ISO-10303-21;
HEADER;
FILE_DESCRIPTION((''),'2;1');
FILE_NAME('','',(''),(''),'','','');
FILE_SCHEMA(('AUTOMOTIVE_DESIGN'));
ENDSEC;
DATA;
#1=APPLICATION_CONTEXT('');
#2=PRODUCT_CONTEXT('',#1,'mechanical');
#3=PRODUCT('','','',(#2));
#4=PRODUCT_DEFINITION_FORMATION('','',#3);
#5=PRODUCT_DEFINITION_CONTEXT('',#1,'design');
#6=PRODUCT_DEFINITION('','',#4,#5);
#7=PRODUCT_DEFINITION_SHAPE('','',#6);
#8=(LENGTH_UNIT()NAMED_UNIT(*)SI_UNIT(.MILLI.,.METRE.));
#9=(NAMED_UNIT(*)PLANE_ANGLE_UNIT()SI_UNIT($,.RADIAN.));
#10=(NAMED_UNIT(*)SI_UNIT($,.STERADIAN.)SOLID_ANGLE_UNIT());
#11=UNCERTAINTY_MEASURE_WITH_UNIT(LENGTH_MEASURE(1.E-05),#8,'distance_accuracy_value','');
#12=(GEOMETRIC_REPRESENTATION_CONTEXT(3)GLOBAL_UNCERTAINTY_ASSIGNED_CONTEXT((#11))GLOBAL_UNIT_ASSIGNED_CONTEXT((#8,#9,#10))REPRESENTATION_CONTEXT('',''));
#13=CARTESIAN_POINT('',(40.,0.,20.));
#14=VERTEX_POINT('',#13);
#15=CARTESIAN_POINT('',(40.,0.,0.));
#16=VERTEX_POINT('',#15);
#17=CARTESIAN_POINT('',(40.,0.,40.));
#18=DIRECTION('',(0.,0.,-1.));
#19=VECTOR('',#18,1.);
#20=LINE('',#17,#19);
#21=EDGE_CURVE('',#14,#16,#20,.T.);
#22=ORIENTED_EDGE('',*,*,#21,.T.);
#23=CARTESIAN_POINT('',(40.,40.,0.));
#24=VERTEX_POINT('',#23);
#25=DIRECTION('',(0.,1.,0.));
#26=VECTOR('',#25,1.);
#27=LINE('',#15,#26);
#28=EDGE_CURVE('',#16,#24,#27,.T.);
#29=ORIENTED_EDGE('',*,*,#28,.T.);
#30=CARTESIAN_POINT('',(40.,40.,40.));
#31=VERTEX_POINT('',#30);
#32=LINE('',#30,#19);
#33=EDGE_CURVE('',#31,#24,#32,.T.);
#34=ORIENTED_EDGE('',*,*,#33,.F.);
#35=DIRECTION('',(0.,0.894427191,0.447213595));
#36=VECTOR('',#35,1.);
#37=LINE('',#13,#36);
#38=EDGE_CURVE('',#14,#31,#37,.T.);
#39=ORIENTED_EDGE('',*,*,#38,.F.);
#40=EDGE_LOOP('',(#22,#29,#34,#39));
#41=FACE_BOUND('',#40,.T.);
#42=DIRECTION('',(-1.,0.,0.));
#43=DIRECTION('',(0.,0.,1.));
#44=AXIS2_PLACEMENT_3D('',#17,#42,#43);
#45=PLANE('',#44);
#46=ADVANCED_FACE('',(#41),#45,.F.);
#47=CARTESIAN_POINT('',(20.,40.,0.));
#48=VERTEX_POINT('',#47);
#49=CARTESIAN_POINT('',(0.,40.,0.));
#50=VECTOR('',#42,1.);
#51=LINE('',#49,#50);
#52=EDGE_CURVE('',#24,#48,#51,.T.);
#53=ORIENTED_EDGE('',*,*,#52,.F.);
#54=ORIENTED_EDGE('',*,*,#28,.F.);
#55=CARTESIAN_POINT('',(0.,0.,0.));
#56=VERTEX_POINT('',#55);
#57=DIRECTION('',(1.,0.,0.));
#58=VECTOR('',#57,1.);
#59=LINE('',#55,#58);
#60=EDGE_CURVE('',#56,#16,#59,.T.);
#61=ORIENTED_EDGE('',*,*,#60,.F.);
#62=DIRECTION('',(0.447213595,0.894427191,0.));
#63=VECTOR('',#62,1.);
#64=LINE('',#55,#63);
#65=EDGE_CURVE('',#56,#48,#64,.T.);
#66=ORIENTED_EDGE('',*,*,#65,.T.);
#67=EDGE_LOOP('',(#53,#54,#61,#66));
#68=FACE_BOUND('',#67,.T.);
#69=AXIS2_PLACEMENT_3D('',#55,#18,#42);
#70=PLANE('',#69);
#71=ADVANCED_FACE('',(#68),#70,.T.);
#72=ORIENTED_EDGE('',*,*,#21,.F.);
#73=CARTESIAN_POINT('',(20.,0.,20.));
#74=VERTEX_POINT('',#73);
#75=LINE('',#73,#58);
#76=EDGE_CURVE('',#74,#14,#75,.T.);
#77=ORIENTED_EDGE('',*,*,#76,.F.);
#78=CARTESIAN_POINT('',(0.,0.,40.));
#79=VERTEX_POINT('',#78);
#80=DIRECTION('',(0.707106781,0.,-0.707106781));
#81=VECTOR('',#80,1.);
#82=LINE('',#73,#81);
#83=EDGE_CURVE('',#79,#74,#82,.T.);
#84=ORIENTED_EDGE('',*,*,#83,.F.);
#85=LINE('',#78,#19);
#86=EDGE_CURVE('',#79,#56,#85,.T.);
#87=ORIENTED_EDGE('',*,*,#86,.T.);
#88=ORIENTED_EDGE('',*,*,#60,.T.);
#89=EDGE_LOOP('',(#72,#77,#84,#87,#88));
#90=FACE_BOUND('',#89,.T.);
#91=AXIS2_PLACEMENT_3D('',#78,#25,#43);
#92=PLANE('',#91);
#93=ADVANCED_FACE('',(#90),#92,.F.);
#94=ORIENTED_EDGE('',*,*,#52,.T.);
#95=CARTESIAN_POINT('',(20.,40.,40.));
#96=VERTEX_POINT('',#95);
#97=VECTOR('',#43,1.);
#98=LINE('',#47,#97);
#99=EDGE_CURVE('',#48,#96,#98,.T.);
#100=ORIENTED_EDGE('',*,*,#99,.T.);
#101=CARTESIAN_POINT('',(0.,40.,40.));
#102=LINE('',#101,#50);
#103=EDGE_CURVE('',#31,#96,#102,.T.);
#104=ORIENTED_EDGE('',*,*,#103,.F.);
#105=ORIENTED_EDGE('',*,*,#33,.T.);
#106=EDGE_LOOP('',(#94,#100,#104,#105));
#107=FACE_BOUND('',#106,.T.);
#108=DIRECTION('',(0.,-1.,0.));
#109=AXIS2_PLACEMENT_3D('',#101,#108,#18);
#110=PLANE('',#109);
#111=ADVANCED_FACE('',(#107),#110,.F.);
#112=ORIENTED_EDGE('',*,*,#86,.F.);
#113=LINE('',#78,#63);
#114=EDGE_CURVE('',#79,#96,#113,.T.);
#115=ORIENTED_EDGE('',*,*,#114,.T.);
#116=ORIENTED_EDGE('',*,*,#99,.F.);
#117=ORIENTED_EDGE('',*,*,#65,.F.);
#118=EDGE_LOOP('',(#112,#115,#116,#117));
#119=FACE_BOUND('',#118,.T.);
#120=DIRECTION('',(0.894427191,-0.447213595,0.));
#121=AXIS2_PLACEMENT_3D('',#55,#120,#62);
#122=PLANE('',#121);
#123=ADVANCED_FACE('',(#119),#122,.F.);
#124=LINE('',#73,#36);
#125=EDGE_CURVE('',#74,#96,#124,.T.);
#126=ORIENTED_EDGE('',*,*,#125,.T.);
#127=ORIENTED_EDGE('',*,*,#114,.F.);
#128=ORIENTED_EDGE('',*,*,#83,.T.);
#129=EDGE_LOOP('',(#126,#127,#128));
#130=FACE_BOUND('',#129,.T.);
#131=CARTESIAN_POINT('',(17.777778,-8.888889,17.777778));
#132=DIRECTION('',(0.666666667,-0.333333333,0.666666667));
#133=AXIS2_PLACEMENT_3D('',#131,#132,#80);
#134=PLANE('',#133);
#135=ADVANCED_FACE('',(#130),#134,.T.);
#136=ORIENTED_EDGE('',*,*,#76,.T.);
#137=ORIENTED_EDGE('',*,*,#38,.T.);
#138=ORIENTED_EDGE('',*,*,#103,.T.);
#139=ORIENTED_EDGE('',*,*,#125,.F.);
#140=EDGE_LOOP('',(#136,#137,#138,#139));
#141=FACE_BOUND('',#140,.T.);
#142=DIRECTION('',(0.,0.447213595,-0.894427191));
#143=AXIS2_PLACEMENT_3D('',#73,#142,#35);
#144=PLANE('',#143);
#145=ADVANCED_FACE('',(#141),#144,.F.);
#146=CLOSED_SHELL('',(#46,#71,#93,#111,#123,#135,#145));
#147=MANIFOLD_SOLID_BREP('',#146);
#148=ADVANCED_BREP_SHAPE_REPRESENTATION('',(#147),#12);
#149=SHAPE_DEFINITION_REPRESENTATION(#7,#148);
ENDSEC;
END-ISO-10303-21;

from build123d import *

# Parameters (mm, degrees)
SKETCH1_W           = 40
SKETCH1_H           = 40
BOSS_EXTRUDE1_DEPTH = 40
CUT_EXTRUDE1_DEPTH  = 40
CUT_EXTRUDE3_DEPTH  = 20
CUT_EXTRUDE4_DEPTH  = 20


with BuildPart() as part:
    # Sketch1 → Boss-Extrude1 (new body)
    with BuildSketch(Plane.XY):
        with Locations((20, 20)):
            Rectangle(SKETCH1_W, SKETCH1_H)
    extrude(amount=BOSS_EXTRUDE1_DEPTH)

    # Sketch2 → Cut-Extrude1 (cut)
    with BuildSketch(Plane.XY.offset(40)):
        Polygon((0, 0), (20, 40), (0, 40), align=None)
    extrude(amount=-CUT_EXTRUDE1_DEPTH, mode=Mode.SUBTRACT)

    # Sketch3 → Cut-Extrude3 (cut)
    with BuildSketch(Plane(origin=(40, 0, 0), x_dir=(0, 0, -1), z_dir=(1, 0, 0))):
        Polygon((-20, 0), (-40, 40), (-40, 0), align=None)
    extrude(amount=-CUT_EXTRUDE3_DEPTH, mode=Mode.SUBTRACT)

    # Sketch5 → Cut-Extrude4 (cut)
    with BuildSketch(Plane(origin=(17.777777778, -8.888888889, 17.777777778), x_dir=(0.745355992, 0.298142397, -0.596284794), z_dir=(0.666666667, -0.333333333, 0.666666667))):
        Polygon((2.98142397, 53.66563146), (2.98142397, 8.94427191), (-23.85139176, 17.88854382), align=None)
    extrude(amount=CUT_EXTRUDE4_DEPTH, mode=Mode.SUBTRACT)


solid = part.part
